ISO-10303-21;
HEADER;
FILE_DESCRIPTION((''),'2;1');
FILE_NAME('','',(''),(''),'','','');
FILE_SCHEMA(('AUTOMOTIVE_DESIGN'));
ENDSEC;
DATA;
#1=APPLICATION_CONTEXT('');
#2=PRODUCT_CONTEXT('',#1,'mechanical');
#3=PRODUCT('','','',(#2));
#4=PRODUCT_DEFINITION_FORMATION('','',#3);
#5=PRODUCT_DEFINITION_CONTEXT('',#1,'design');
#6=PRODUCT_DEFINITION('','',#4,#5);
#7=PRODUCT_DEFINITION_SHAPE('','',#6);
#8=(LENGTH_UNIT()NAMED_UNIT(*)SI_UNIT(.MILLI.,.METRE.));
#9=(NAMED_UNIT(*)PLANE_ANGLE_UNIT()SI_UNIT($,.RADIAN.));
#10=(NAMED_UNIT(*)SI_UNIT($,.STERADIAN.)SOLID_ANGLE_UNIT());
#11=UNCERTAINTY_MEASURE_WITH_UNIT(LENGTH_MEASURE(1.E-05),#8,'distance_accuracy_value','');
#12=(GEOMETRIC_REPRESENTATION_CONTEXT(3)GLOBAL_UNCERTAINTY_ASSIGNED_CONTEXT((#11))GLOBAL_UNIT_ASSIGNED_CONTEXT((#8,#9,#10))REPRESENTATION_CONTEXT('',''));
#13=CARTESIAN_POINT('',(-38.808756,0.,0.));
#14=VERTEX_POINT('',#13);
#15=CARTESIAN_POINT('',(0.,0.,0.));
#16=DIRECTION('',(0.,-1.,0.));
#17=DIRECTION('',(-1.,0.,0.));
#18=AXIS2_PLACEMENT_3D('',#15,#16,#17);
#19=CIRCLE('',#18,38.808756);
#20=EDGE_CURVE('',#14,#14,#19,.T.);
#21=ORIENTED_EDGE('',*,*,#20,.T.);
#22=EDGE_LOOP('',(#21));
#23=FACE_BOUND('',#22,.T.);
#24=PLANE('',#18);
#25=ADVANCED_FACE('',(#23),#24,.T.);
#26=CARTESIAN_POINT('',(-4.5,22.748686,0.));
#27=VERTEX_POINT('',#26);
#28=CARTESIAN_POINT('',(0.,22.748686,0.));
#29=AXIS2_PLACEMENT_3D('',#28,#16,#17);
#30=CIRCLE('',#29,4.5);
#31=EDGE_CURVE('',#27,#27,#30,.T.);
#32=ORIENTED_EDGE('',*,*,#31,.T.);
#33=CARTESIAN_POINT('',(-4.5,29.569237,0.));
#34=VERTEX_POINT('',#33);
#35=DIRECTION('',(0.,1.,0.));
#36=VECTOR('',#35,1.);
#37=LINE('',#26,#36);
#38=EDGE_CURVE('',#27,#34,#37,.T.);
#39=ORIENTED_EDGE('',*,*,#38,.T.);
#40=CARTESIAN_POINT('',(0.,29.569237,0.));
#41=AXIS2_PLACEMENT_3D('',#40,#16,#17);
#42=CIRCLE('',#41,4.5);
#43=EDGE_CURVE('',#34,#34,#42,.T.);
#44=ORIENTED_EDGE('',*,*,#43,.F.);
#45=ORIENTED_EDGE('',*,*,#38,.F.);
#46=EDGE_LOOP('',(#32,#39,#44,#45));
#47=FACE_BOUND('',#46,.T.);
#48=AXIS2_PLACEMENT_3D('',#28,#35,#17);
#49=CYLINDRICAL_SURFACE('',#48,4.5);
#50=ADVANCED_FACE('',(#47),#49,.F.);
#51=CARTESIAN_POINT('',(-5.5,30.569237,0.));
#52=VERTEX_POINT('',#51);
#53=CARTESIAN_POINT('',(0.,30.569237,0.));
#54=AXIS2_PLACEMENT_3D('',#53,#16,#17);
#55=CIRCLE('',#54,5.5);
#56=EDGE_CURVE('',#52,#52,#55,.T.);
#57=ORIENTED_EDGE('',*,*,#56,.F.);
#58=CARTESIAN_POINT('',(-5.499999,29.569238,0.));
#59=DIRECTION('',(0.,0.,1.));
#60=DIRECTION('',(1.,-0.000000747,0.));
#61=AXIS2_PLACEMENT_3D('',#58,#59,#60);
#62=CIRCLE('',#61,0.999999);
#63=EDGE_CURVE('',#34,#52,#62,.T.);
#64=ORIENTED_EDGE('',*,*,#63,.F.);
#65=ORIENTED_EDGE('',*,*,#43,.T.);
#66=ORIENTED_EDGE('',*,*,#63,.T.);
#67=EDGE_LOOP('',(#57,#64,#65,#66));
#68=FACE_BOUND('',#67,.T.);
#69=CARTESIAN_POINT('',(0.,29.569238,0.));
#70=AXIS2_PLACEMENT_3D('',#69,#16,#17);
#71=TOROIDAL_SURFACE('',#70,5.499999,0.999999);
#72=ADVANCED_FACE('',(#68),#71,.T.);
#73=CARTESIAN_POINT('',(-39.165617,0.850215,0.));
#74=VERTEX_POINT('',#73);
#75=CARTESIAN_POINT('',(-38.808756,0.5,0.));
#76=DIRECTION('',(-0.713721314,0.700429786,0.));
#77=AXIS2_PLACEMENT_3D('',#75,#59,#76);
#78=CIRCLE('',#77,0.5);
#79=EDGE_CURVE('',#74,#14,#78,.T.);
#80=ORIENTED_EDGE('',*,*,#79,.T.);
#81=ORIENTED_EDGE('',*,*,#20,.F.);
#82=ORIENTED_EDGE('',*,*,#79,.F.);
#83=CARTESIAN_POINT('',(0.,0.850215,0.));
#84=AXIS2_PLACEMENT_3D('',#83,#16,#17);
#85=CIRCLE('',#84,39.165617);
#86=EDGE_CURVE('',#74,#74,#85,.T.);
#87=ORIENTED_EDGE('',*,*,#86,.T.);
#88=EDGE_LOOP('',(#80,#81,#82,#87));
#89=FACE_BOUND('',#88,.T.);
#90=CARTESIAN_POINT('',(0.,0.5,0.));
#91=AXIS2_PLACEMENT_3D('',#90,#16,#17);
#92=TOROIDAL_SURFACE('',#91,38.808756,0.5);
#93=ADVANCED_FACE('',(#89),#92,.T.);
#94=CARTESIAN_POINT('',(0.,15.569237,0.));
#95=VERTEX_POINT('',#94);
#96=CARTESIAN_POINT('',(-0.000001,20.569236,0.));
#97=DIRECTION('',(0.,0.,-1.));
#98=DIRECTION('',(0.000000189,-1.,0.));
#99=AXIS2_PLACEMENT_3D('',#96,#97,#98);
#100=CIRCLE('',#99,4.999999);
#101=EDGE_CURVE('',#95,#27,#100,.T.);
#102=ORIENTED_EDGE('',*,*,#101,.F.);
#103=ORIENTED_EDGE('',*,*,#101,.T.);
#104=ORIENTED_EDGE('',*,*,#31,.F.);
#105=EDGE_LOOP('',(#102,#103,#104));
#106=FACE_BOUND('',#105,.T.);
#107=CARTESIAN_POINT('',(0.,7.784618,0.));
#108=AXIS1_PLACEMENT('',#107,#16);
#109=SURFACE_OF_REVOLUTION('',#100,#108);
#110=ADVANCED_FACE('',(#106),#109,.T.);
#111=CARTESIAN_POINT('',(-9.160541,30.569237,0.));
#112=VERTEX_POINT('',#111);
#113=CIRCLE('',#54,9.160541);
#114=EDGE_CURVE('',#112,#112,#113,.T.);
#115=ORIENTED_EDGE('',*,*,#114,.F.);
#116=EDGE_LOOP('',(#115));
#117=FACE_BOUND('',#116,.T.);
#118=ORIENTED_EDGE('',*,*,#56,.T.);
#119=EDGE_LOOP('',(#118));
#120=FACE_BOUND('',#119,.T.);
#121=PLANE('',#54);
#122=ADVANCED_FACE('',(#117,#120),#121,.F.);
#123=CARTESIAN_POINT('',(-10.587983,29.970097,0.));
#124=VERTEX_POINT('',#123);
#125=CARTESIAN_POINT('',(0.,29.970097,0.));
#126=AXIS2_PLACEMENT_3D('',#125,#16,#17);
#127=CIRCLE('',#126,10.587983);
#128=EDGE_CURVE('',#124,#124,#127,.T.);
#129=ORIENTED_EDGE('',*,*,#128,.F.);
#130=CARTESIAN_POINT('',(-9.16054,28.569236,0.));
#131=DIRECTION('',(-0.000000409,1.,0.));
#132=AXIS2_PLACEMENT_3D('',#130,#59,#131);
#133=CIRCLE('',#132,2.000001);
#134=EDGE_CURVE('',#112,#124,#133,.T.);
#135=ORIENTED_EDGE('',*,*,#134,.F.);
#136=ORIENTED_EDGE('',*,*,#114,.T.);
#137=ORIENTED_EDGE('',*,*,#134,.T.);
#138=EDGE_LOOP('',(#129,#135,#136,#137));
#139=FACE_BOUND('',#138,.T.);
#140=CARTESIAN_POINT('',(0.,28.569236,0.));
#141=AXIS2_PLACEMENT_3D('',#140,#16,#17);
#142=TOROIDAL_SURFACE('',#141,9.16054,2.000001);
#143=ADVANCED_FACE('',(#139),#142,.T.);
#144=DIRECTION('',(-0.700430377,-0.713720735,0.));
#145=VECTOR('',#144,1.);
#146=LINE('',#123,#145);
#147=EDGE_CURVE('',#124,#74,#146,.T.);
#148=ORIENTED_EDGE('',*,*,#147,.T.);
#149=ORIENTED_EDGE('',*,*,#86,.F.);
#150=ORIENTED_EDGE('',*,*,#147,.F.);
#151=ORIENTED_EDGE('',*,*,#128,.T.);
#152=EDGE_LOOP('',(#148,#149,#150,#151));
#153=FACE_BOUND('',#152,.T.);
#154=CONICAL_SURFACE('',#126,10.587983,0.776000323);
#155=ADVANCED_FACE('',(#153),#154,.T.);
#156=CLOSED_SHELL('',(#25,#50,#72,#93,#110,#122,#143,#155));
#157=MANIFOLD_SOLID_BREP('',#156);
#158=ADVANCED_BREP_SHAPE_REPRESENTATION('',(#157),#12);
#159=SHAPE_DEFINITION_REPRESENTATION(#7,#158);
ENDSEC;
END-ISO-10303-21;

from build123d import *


with BuildPart() as f1:
    # F0 (on Top) → F1 (revolve)
    with BuildSketch(Plane.XY):
        with BuildLine():
            Line((-10.587983, 29.970097), (-39.165617, 0.850215))
            ThreePointArc((-39.165617, 0.850215), (-39.269792, 0.30649), (-38.808756, 0))
            Line((-38.808756, 0), (-4.5, 0))
            Line((-4.5, 0), (0, 0))
            Line((0, 0), (0, 15.569237))
            ThreePointArc((0, 15.569237), (-4.236582, 17.913794), (-4.5, 22.748686))
            Line((-4.5, 22.748686), (-4.5, 29.569237))
            ThreePointArc((-4.5, 29.569237), (-4.792893, 30.276344), (-5.5, 30.569237))
            Line((-5.5, 30.569237), (-9.160541, 30.569237))
            ThreePointArc((-9.160541, 30.569237), (-9.934582, 30.413379), (-10.587983, 29.970097))
        make_face()
    revolve(axis=Axis((0, 7.784618, 0), (0, -1, 0)))


solid = f1.part
